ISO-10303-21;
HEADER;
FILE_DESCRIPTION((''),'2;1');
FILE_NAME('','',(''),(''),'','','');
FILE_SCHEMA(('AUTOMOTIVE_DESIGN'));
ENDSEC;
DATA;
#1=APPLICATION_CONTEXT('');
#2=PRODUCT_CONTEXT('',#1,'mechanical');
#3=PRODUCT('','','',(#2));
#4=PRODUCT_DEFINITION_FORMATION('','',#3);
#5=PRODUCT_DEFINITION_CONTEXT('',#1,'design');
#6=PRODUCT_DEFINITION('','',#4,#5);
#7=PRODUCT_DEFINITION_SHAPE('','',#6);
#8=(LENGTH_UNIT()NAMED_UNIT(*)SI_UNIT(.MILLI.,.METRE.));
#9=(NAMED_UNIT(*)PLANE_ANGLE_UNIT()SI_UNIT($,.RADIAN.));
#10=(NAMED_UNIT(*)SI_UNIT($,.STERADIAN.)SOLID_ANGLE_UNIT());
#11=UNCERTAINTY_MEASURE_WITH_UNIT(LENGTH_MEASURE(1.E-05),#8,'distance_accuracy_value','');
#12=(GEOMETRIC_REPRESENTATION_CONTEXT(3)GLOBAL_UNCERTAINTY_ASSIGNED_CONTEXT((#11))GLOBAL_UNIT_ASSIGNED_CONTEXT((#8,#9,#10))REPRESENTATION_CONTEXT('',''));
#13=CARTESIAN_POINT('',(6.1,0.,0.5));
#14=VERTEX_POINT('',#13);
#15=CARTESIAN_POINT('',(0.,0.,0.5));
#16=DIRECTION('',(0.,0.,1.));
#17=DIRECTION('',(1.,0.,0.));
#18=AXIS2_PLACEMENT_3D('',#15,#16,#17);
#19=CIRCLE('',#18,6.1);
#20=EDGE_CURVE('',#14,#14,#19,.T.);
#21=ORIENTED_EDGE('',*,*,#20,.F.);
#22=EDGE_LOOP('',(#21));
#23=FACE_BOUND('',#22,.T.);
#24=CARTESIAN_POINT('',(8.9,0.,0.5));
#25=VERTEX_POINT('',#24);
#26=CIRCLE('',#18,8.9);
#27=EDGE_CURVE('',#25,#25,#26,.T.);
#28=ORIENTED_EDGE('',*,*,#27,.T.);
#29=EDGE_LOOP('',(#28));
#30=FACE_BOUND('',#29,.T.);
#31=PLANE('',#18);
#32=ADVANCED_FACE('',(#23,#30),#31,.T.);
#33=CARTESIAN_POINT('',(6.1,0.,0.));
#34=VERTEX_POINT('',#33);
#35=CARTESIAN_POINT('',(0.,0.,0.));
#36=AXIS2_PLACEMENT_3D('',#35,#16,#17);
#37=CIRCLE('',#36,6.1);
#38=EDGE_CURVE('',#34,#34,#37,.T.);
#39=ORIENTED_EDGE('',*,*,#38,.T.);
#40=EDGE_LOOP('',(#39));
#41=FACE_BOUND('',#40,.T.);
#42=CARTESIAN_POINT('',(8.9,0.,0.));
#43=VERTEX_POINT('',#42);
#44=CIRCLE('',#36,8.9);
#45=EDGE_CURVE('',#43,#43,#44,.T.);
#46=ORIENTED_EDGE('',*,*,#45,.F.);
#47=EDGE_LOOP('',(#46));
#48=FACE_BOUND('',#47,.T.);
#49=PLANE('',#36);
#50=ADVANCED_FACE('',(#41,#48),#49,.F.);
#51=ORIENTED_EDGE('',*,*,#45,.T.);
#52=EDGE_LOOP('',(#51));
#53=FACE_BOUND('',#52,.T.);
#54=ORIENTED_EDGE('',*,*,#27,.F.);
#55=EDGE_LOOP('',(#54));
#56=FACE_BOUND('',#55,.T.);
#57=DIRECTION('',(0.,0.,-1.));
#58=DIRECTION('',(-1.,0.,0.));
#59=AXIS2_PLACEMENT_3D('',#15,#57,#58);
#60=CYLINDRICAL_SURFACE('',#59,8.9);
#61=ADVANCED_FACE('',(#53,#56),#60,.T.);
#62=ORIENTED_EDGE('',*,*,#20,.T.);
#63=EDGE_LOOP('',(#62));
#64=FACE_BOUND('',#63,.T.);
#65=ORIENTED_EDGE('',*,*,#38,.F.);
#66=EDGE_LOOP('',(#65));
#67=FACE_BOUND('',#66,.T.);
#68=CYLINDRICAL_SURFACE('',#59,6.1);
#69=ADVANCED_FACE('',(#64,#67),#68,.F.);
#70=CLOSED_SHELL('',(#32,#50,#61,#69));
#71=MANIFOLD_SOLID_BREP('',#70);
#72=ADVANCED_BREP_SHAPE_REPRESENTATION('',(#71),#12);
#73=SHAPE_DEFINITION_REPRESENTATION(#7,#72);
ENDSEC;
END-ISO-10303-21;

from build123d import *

# Parameters (mm, degrees)
ESQUISSE1_R      = 8.9
ESQUISSE1_R_2    = 6.1
EXTRUSION1_DEPTH = 0.5


with BuildPart() as part:
    # Esquisse1 → Extrusion1 (new body)
    with BuildSketch(Plane.XY):
        Circle(ESQUISSE1_R)
        Circle(ESQUISSE1_R_2, mode=Mode.SUBTRACT)
    extrude(amount=EXTRUSION1_DEPTH)


solid = part.part
